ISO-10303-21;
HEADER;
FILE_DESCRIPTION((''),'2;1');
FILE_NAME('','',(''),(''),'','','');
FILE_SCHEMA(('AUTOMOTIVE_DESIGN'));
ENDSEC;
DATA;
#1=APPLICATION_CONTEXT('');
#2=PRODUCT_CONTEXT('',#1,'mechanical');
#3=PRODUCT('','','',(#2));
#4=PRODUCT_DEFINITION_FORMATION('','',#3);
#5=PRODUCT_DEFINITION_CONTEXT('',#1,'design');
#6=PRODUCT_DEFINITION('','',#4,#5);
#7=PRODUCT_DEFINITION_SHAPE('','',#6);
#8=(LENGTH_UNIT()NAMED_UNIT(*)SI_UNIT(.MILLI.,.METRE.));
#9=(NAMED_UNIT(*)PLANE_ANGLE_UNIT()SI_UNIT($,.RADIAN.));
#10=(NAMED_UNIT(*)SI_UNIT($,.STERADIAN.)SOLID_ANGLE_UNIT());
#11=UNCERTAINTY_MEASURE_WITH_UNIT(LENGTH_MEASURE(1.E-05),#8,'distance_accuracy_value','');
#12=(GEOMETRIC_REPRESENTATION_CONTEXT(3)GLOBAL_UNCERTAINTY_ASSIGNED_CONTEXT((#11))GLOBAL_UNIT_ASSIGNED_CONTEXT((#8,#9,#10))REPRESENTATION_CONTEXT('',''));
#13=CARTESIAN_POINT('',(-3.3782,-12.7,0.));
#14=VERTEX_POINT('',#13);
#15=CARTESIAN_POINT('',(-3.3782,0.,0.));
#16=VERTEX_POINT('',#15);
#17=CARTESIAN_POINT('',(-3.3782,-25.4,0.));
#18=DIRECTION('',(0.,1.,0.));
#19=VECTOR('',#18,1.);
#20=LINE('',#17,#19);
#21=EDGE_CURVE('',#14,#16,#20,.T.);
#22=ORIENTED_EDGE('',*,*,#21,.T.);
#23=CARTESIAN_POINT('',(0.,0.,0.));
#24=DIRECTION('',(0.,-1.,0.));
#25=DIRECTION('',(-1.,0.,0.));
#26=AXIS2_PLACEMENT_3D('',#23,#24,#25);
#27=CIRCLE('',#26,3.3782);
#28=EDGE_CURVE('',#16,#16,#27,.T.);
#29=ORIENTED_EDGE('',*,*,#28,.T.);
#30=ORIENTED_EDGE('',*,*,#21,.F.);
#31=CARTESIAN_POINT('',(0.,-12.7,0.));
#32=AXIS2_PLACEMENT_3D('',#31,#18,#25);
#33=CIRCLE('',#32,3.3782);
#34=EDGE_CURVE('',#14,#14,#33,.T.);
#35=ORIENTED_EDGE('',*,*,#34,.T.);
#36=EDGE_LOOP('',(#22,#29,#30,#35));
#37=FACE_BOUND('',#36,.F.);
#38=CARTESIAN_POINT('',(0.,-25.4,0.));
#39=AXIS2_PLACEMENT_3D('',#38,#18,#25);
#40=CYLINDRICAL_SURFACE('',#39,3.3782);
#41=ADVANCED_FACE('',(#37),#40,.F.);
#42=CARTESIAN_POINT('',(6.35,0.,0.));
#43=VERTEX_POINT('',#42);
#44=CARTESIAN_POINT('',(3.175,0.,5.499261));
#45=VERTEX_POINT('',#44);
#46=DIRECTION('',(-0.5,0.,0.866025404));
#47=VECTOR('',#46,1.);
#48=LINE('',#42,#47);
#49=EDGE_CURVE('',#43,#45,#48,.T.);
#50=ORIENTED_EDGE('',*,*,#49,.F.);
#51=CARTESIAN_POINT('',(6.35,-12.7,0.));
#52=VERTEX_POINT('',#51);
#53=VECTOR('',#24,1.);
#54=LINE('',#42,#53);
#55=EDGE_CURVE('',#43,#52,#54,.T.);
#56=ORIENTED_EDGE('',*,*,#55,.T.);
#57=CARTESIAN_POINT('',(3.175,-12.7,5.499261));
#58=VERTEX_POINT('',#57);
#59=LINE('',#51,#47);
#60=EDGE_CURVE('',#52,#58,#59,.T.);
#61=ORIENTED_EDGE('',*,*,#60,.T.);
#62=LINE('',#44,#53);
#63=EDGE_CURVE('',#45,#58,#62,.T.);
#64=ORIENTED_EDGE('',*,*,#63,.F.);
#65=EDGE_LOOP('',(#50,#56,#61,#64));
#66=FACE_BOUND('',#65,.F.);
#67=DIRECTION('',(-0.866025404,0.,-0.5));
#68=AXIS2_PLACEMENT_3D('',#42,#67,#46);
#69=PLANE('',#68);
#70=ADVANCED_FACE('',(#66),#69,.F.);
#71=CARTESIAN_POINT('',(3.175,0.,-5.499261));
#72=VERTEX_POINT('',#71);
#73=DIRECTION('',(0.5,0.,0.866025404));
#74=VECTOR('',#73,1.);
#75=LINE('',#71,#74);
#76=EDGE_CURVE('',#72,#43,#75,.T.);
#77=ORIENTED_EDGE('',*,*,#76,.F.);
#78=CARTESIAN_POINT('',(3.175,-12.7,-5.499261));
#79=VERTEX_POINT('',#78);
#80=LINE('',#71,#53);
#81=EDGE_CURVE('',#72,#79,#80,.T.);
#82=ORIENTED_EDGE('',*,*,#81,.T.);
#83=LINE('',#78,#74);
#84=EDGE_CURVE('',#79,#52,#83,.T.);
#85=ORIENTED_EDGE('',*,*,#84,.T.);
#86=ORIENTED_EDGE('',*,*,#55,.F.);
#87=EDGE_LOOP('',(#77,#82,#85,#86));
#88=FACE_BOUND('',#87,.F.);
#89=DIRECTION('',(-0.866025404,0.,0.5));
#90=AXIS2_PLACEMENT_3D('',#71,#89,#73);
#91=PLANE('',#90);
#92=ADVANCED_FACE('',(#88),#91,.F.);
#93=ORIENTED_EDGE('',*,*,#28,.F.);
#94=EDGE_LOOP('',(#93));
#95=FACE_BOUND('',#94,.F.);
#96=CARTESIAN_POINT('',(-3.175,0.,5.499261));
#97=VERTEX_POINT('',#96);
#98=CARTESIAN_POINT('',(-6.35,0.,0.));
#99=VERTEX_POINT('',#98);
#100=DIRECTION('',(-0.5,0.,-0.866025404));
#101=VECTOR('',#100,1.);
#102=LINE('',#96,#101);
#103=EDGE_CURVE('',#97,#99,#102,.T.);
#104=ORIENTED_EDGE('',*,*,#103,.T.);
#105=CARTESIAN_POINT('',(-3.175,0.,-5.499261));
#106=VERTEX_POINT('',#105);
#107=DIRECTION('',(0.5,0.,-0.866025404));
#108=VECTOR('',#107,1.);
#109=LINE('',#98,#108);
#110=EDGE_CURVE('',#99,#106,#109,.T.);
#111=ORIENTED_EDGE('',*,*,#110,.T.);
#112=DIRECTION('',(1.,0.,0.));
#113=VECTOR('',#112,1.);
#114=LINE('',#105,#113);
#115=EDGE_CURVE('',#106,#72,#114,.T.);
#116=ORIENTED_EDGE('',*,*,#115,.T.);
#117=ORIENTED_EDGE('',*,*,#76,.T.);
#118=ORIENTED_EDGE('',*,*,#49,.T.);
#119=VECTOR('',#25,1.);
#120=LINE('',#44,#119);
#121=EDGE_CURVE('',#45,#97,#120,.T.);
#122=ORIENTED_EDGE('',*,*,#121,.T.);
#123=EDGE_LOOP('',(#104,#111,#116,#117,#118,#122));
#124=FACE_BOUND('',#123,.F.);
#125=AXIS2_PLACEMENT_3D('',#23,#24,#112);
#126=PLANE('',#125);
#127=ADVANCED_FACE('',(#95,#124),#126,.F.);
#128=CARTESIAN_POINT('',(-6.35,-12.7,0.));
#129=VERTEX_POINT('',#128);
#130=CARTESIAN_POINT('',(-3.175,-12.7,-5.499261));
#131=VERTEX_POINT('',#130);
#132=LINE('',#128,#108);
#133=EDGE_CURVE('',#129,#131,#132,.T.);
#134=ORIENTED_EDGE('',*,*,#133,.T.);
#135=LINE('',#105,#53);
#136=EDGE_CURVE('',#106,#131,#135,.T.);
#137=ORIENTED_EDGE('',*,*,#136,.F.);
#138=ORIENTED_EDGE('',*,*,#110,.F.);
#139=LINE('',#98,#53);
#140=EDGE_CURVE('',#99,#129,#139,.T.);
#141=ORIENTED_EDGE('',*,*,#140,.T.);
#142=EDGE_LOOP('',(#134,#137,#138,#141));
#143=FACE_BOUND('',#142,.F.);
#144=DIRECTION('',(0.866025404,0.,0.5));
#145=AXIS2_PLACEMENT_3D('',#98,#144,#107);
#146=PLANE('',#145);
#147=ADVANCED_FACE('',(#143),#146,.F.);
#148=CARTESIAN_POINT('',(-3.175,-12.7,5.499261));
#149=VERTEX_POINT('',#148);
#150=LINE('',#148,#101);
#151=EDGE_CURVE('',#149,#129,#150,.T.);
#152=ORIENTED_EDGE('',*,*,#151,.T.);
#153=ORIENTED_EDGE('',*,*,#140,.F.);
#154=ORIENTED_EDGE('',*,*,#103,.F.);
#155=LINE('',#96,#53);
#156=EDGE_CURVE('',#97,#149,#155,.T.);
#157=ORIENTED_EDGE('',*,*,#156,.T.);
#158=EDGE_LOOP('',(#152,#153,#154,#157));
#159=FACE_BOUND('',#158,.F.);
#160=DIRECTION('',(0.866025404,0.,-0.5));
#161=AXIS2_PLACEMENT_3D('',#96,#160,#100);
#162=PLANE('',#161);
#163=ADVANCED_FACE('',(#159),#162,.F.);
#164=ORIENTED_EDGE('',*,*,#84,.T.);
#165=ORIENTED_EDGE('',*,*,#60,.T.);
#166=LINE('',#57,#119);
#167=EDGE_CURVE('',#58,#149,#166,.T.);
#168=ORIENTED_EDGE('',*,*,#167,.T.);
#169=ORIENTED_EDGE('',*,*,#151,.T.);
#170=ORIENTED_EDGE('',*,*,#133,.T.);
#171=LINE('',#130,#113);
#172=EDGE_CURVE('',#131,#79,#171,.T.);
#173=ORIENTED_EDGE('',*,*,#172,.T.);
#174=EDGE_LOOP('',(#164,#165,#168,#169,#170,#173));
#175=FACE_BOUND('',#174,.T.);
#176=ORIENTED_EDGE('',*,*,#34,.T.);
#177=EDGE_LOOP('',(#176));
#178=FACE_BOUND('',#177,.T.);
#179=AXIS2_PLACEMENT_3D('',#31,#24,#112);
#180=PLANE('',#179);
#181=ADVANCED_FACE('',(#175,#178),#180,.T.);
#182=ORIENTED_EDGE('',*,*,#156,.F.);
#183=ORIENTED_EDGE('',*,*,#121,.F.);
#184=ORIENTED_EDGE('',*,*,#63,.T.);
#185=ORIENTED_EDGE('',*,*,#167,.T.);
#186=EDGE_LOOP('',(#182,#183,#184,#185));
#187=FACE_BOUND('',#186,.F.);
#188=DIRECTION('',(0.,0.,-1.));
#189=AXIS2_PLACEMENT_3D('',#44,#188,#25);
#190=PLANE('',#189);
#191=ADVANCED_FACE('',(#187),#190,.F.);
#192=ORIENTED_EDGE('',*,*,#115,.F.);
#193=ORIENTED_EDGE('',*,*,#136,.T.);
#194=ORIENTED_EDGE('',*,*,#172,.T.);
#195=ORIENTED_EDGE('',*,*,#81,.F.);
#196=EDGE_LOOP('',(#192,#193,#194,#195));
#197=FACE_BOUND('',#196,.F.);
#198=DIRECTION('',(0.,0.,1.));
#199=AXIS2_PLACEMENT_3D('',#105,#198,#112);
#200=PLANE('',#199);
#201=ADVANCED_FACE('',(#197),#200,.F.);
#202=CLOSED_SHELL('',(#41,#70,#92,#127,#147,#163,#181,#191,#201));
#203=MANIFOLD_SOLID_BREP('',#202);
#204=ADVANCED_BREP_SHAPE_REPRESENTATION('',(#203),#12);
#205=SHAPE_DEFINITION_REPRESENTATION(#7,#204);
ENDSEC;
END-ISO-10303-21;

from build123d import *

# Parameters (mm, degrees)
F1_DEPTH = 12.7
F3_D     = 6.7564
F3_DEPTH = 12.7
F3_TIP   = 2.0298273432


with BuildPart() as f1:
    # F0 (on Front) → F1 (new body)
    with BuildSketch(Plane.XZ):
        Polygon((-3.175, 5.499261314), (-6.35, 0), (-3.175, -5.499261314), (3.175, -5.499261314), (6.35, 0), (3.175, 5.499261314), align=None)
    extrude(amount=F1_DEPTH)

    # F3
    with Locations(Plane.XZ.offset(12.7)):
        with Locations((0, 0)):
            Hole(F3_D / 2, depth=F3_DEPTH)
            with Locations((0, 0, -(F3_DEPTH + F3_TIP / 2))):  # 118° drill point
                Cone(0, F3_D / 2, F3_TIP, mode=Mode.SUBTRACT)


solid = f1.part
